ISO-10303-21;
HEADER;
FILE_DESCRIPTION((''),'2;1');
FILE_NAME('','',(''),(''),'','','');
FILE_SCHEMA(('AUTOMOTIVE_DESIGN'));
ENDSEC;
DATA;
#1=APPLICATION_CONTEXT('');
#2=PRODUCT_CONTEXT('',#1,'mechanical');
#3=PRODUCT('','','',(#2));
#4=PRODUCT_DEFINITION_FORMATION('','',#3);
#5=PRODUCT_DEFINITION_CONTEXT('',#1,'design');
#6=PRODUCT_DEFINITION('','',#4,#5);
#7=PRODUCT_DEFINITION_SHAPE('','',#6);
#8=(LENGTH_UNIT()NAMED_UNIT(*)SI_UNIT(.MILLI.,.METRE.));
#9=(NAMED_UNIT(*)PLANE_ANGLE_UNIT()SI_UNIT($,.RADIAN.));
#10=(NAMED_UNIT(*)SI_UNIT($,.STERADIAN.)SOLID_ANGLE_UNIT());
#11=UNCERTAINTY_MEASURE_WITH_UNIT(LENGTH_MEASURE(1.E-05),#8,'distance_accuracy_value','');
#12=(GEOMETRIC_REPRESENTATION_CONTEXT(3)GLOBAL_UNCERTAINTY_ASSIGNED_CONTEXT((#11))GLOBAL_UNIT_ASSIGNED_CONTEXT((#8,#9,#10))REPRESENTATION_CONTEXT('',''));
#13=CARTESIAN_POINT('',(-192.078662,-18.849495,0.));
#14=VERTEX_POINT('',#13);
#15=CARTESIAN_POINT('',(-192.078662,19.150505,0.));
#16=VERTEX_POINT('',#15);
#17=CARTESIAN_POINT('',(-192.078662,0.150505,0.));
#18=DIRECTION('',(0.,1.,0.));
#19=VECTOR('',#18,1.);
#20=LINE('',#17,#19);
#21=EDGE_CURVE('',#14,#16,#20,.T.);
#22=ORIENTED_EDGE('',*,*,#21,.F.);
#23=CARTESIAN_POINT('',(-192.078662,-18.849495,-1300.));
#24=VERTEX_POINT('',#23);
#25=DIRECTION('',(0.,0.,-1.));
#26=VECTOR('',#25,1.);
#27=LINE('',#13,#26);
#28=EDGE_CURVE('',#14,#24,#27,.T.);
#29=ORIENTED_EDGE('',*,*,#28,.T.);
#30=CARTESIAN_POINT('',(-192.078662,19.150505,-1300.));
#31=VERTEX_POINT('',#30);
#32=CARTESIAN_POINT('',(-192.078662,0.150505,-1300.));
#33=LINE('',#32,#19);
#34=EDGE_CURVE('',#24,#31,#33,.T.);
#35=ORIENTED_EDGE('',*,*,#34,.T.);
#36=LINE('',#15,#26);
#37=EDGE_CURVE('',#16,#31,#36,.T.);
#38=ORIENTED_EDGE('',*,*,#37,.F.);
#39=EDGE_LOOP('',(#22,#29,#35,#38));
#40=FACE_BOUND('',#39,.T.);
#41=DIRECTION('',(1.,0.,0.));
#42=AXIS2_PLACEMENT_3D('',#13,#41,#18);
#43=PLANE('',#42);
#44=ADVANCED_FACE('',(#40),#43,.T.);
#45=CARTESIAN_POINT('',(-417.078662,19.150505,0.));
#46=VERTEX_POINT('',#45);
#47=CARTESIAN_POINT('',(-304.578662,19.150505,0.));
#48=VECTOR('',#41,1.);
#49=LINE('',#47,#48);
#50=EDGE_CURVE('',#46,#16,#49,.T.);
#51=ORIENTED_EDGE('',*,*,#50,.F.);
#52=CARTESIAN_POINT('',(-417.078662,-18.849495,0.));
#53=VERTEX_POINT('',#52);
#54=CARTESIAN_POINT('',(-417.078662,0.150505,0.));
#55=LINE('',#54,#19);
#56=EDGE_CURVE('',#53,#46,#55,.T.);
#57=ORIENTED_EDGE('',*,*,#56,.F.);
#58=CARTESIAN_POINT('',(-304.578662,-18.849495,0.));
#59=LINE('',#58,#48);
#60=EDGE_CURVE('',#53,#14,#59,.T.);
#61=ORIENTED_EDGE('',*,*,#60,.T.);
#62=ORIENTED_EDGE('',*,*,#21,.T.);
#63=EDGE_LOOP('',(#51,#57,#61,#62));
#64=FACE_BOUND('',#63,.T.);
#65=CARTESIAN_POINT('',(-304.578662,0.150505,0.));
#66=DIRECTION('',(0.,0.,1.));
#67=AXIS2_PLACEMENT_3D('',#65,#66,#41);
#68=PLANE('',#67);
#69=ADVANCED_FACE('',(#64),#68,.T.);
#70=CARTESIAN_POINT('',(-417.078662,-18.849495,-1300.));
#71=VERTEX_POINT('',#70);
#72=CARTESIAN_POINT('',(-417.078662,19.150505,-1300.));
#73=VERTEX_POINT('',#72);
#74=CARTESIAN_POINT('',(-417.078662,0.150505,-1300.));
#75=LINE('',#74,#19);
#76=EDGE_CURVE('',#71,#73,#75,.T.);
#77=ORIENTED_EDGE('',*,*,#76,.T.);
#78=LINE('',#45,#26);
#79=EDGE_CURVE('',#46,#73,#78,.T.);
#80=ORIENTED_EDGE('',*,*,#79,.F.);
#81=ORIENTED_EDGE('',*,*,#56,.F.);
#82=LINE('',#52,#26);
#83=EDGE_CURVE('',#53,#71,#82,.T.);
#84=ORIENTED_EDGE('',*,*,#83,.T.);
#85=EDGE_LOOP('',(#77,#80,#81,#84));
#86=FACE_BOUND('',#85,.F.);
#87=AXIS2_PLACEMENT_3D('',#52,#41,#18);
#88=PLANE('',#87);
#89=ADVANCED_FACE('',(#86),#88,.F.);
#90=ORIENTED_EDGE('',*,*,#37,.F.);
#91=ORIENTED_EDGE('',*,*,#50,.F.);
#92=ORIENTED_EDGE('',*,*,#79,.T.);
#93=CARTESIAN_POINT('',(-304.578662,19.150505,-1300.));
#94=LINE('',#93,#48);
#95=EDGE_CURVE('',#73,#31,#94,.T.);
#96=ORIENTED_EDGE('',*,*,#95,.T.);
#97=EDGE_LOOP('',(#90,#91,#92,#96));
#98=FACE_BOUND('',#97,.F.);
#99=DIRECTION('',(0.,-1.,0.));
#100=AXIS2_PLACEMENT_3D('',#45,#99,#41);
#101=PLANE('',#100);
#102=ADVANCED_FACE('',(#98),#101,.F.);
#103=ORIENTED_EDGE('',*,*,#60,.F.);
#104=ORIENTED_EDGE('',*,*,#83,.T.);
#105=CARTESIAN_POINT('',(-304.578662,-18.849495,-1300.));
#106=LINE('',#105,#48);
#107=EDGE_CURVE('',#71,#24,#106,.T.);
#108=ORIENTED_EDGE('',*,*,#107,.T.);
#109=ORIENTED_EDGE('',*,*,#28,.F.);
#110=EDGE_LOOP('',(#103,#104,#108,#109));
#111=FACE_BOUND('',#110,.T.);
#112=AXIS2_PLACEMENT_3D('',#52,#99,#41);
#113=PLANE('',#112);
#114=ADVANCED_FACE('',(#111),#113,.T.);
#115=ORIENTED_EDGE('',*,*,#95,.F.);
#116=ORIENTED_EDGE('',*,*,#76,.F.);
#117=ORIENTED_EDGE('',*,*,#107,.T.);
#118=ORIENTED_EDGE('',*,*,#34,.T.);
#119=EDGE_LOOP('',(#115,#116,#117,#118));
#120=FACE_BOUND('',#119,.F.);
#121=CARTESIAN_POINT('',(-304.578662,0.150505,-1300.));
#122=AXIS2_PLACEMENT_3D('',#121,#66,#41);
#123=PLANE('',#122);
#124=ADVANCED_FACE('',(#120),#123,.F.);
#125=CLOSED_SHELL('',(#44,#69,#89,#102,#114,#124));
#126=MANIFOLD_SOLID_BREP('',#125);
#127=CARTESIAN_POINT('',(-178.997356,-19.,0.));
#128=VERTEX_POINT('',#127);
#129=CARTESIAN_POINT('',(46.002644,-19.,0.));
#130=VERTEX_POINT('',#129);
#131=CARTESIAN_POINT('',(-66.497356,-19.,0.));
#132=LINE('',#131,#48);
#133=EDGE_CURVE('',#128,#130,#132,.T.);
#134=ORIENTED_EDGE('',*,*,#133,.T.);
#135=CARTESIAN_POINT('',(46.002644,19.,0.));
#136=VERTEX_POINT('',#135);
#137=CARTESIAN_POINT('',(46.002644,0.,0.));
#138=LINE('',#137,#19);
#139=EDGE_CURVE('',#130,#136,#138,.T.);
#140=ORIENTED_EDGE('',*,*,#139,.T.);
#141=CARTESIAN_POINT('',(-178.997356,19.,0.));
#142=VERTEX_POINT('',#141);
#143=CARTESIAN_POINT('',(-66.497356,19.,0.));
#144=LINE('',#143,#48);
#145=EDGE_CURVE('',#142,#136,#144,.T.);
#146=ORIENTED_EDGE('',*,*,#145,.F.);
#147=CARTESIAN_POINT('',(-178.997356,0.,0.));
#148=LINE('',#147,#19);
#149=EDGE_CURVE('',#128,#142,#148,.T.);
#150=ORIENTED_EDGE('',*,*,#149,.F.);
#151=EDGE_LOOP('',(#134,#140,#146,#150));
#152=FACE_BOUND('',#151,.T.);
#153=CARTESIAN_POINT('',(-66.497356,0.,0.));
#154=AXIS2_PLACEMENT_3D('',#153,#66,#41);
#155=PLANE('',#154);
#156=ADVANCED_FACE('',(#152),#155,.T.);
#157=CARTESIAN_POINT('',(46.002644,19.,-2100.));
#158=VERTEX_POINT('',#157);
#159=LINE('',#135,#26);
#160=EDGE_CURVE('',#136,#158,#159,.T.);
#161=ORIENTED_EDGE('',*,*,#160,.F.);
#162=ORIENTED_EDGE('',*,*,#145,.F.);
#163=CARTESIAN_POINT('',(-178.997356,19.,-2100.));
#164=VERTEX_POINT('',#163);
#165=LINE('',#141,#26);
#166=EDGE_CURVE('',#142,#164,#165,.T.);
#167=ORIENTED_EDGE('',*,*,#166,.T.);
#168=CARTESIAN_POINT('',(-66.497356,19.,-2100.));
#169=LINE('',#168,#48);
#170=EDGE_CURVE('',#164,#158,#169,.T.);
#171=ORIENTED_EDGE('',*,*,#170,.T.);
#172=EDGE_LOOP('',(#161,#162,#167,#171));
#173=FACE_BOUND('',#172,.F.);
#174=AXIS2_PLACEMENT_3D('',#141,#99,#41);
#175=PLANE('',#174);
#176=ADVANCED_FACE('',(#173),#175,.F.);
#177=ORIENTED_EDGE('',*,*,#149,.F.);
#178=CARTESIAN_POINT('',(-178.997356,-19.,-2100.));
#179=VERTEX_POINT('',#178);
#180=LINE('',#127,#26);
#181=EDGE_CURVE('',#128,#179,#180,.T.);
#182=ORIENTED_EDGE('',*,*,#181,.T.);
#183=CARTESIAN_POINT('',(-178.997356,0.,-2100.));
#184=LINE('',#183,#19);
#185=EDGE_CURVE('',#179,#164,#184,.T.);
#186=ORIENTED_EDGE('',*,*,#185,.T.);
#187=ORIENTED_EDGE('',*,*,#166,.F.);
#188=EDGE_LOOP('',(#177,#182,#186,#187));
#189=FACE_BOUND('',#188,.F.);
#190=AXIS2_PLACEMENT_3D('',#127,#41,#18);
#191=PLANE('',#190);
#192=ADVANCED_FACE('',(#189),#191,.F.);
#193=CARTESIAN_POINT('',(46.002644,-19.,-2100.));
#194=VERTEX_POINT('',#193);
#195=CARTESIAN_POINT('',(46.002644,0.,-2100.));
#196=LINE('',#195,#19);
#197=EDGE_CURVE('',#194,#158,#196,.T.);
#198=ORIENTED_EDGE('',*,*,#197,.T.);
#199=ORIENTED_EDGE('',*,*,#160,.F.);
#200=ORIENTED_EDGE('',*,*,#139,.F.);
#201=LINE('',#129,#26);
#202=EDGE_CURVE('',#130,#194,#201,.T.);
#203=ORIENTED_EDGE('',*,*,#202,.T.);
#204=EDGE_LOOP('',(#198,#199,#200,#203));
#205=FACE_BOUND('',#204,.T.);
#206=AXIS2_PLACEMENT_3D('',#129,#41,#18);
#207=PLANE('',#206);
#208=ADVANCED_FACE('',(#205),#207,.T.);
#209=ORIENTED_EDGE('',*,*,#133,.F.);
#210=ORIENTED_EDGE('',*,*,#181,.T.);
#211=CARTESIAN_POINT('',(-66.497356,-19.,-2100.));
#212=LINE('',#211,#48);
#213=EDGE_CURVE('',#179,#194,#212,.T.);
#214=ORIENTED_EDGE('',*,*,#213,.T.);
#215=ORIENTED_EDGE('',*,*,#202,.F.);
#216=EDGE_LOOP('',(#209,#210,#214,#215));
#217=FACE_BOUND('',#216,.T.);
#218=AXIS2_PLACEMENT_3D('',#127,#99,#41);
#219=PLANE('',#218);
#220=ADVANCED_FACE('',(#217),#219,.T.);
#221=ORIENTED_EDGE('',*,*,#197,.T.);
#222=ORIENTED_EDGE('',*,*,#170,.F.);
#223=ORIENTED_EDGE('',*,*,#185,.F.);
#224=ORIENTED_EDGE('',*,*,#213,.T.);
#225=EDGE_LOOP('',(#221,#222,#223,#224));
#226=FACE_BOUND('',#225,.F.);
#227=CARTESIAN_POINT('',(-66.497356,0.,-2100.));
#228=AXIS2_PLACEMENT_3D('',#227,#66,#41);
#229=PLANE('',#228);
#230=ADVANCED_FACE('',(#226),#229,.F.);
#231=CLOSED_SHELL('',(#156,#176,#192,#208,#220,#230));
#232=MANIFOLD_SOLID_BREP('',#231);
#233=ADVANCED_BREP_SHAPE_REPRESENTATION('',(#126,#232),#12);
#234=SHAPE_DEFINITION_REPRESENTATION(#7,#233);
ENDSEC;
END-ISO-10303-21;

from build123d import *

# Parameters (mm, degrees)
F0_W     = 225
F0_H     = 38
F1_DEPTH = 2100
F2_DEPTH = 1300


with BuildPart() as f1:
    # F0 (on Top) → F1 (new body)
    with BuildSketch(Plane.XY):
        with Locations((-66.497356, 0)):
            Rectangle(F0_W, F0_H)
    extrude(amount=-F1_DEPTH)


with BuildPart() as f2:
    # F0 (on Top) → F2 (new body)
    with BuildSketch(Plane.XY):
        with Locations((-304.578662, 0.150505)):
            Rectangle(F0_W, F0_H)
    extrude(amount=-F2_DEPTH)


solid = Compound([f1.part, f2.part])
